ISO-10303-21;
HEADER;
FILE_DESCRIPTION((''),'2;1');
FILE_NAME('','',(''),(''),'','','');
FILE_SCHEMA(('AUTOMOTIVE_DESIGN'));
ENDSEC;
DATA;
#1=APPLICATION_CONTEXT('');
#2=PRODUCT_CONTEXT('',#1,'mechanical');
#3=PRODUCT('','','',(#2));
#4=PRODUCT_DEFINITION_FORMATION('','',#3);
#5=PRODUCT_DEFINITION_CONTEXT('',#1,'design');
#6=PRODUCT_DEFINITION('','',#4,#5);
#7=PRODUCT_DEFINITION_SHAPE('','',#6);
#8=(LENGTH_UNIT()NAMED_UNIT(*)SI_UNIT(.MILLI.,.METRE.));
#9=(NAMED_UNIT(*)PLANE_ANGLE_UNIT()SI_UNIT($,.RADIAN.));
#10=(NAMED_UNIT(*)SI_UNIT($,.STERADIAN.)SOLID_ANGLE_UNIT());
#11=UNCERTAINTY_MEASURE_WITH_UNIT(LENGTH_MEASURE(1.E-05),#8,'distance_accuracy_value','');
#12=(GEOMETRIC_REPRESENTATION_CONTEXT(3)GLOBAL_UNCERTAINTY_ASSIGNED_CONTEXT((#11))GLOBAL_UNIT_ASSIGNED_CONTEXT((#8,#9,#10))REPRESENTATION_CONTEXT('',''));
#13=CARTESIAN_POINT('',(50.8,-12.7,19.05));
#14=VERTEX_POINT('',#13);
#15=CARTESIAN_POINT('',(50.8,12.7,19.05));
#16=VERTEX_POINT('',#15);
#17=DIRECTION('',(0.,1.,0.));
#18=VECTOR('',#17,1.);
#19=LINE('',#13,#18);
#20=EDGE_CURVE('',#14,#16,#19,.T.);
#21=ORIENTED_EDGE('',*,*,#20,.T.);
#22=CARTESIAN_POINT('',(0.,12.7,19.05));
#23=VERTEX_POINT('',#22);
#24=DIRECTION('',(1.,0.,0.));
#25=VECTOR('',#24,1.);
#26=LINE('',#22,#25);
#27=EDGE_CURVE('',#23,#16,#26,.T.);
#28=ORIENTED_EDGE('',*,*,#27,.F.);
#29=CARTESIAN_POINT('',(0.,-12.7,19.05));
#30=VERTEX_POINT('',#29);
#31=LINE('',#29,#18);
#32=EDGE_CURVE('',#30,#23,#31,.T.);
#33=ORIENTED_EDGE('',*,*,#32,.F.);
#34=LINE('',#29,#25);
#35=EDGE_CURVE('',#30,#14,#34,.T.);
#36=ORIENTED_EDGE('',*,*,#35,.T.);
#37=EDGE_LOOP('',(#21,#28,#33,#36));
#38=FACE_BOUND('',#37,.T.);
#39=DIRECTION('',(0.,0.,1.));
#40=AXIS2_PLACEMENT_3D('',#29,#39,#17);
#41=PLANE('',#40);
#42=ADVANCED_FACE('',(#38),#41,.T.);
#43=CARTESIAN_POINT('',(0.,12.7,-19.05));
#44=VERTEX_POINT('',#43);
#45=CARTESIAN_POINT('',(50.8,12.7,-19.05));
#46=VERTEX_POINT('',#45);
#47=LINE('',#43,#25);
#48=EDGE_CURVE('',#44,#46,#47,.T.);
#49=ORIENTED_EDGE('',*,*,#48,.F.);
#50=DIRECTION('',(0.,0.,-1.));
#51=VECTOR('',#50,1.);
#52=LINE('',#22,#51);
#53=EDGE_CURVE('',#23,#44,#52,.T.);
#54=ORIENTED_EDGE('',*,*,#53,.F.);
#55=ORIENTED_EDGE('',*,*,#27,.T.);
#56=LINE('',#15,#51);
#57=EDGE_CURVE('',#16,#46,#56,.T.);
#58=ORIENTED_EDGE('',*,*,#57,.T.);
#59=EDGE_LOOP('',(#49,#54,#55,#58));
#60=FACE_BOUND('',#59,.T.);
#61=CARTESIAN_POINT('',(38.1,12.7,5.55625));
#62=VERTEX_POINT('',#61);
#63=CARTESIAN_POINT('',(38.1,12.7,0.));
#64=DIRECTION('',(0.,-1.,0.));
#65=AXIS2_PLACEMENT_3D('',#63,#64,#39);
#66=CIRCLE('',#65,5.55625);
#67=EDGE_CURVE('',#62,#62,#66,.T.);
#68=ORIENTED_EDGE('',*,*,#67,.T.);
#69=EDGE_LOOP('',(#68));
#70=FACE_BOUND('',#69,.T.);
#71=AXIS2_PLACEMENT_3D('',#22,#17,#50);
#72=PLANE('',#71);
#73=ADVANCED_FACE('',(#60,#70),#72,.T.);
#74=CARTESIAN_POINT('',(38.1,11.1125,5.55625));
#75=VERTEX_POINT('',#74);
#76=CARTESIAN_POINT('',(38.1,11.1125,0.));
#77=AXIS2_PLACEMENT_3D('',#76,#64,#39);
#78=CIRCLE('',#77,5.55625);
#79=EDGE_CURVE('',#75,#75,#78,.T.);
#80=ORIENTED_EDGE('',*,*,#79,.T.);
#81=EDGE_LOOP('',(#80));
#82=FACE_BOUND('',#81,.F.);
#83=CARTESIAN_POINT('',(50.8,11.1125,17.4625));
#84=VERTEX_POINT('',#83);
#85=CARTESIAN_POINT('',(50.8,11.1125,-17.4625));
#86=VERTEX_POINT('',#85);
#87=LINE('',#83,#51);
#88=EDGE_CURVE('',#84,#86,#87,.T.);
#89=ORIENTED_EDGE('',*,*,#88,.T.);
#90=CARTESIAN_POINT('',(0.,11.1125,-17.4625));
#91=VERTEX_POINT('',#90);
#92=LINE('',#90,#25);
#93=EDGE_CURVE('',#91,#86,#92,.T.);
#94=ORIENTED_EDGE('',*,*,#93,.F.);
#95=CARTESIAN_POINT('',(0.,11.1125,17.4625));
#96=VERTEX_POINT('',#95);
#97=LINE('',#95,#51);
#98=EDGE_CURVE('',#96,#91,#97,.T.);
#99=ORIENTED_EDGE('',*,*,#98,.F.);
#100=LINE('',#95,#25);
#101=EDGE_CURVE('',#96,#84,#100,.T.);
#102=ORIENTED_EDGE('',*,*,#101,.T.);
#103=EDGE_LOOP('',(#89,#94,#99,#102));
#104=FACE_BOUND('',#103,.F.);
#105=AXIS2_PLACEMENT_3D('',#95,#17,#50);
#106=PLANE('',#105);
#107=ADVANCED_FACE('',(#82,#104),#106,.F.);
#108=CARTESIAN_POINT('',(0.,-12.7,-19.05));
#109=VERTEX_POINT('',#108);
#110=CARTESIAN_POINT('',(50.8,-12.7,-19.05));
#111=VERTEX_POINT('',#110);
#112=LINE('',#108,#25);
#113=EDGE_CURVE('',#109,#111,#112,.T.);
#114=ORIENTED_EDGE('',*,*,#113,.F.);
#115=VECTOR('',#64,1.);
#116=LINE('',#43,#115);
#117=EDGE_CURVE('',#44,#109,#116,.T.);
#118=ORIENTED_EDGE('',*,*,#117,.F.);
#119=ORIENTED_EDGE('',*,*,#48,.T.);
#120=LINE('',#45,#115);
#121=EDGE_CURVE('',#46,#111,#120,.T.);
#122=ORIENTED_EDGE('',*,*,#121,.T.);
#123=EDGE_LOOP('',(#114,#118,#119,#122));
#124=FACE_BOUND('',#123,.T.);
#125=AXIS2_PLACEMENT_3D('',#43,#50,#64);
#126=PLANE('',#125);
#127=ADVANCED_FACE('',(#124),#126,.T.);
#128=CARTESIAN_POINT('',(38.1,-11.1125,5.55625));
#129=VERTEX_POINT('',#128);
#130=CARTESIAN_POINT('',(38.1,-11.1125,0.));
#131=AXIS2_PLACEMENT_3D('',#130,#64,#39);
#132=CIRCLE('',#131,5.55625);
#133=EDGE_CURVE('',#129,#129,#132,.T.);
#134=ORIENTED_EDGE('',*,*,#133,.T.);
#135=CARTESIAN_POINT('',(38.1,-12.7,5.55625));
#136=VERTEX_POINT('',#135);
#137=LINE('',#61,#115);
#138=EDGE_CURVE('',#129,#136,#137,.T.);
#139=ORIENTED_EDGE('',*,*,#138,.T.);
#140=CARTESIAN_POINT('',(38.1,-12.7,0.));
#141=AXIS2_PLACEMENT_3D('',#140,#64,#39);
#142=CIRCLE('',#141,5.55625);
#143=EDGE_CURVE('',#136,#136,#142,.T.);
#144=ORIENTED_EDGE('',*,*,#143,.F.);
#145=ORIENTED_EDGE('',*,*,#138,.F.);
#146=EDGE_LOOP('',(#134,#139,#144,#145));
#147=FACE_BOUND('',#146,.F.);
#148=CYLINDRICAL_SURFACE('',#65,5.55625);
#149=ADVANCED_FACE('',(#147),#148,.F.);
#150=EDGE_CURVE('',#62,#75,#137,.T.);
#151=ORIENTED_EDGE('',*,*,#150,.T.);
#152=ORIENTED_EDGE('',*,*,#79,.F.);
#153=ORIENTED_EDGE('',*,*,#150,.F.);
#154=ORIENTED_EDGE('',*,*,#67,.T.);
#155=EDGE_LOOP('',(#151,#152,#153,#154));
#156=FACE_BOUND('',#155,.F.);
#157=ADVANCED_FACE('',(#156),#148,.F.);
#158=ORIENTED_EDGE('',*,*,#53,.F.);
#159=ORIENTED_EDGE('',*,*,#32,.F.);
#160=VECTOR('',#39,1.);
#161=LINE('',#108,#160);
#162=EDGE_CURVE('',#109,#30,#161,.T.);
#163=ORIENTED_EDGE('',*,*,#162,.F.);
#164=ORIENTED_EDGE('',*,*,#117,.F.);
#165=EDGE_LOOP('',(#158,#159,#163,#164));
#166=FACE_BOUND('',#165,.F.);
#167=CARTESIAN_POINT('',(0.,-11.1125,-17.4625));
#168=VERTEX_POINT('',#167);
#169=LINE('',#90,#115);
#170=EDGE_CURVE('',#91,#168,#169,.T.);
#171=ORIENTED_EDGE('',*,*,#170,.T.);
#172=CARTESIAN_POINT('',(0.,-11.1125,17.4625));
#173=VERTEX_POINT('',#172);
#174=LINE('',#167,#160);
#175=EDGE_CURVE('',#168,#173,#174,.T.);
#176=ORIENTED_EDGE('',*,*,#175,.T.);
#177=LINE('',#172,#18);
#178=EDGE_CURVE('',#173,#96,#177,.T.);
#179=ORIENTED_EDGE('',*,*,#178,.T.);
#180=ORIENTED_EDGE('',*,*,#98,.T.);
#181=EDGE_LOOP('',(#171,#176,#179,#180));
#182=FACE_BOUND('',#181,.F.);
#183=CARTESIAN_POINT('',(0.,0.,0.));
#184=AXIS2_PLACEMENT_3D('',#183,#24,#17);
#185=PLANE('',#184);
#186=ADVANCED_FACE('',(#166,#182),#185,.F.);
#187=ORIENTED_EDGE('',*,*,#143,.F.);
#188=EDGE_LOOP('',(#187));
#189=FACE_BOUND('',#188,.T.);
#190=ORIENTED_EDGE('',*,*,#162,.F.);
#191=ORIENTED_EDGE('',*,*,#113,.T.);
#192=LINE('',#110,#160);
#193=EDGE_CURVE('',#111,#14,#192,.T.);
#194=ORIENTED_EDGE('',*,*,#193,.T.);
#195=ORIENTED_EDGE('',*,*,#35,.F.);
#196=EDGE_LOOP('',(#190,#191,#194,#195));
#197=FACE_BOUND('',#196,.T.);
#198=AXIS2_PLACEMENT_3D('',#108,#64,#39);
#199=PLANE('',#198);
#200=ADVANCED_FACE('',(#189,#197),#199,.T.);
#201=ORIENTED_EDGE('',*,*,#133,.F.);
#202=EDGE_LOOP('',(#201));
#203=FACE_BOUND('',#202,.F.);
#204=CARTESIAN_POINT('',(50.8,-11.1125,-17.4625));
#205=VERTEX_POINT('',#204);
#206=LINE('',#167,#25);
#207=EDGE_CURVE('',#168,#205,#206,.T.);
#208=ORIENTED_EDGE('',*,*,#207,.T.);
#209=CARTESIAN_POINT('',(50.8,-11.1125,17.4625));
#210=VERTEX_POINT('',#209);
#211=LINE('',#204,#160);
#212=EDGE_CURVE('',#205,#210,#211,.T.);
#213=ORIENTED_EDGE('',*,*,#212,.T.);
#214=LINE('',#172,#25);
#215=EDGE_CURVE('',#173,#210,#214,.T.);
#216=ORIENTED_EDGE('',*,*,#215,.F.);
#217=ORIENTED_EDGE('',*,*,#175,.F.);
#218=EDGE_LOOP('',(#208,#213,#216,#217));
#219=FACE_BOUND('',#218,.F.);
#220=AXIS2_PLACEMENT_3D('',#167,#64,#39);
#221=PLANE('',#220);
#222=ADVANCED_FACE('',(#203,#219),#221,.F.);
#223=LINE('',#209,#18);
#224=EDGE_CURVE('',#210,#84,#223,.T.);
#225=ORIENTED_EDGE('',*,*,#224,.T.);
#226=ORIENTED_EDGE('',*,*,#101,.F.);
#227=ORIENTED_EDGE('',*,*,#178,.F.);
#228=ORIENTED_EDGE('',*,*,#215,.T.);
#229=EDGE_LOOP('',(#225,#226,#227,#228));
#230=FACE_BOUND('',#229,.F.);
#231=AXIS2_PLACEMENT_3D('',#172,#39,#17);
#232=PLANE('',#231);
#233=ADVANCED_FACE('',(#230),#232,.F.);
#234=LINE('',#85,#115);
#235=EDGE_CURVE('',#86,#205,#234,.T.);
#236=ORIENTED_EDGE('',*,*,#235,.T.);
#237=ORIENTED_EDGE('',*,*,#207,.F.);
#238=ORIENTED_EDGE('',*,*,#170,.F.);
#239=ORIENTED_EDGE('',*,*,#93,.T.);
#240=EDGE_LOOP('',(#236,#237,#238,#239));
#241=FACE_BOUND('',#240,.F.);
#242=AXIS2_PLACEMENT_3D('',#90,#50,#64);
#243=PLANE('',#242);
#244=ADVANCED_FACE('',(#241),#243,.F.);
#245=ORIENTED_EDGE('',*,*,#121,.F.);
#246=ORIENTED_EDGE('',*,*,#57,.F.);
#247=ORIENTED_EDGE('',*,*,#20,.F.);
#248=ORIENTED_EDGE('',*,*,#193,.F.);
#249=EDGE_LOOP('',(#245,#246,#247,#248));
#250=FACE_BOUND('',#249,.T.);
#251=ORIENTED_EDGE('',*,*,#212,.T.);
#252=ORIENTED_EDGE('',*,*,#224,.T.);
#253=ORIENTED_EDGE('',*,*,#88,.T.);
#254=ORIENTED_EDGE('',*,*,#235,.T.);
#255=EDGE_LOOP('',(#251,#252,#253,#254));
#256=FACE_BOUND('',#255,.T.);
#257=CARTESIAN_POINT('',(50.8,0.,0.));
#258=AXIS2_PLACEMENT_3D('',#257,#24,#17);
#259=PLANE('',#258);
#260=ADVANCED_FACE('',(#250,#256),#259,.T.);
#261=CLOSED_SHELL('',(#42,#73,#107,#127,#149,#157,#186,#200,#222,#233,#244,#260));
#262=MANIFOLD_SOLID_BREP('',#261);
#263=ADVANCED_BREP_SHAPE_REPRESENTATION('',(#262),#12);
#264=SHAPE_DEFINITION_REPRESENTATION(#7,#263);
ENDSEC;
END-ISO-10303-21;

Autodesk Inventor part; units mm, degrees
ref_plane "Work Plane3" through (0, 12.7, 0) normal (0, 1, 0) x (-1, 0, 0)
ref_plane "Start Plane" through (0, 0, 0) normal (1, 0, 0) x (0, 1, 0)
ref_plane "End Plane" through (50.8, 0, 0) normal (1, 0, 0) x (0, 1, 0)
sketch "Sketch" plane through (0, 0, 0) normal (1, 0, 0) x (0, 1, 0)
  line L0 (-12.7, 19.05) -> (12.7, 19.05)
  line L1 (12.7, 19.05) -> (12.7, -19.05)
  line L2 (12.7, -19.05) -> (-12.7, -19.05)
  line L3 (-12.7, -19.05) -> (-12.7, 19.05)
  line L4 (-12.7, 19.05) -> (12.7, -19.05) construction
  line L5 (12.7, 19.05) -> (-12.7, -19.05) construction
  line L6 (-11.1125, 17.4625) -> (11.1125, 17.4625)
  line L7 (11.1125, 17.4625) -> (11.1125, -17.4625)
  line L8 (11.1125, -17.4625) -> (-11.1125, -17.4625)
  line L9 (-11.1125, -17.4625) -> (-11.1125, 17.4625)
  line L10 (-11.1125, 17.4625) -> (11.1125, -17.4625) construction
  line L11 (11.1125, 17.4625) -> (-11.1125, -17.4625) construction
  point P0 (0, 0)
  dimension "d0" = 38.1
  dimension "d1" = 25.4
  dimension "d2" = 1.5875
  dimension "d3" = 1.5875
extrude "Body" add sketch "Sketch" along normal up to surface (50.8 mm away) from surface at 0
sketch "Sketch8" plane through (0, 0, 0) normal (1, 0, 0) x (0, 1, 0)
  line L0 (0, 0) -> (10, 0)
ref_plane "Work Plane6" through (0, 0, 0) normal (0, 0, -1) x (0, 1, 0)
sketch "Sketch9" plane through (0, 0, 0) normal (0, 0, -1) x (0, 1, 0)
  line L0 (-17.78, 0) -> (17.78, 0)
  line L1 (-17.78, 50.8) -> (17.78, 50.8)
  dimension "d21" = 50.8
sketch "Sketch5" plane through (0, 12.7, -19.05) normal (0, 1, 0) x (1, 0, 0)
  line L0 (0, -38.1) -> (0, 0) projected
  point P0 (0, -19.05)
  point P1 (38.1, -19.05)
  dimension "d22" = 38.1
hole "Hole2" at (38.1, 12.7, 0) direction (0, -1, 0) diameter 11.1125 end through all
equation "\"d3\" = d2"
equation "\"G_OFFSET_START\" = 0"
equation "\"G_OFFSET_END\" = 0"
equation "\"d17\" = d4 + G_OFFSET_END"
equation "\"G_L\" = d21"
equation "\"d4\" = 50.8"
properties part number "1605682847259"
